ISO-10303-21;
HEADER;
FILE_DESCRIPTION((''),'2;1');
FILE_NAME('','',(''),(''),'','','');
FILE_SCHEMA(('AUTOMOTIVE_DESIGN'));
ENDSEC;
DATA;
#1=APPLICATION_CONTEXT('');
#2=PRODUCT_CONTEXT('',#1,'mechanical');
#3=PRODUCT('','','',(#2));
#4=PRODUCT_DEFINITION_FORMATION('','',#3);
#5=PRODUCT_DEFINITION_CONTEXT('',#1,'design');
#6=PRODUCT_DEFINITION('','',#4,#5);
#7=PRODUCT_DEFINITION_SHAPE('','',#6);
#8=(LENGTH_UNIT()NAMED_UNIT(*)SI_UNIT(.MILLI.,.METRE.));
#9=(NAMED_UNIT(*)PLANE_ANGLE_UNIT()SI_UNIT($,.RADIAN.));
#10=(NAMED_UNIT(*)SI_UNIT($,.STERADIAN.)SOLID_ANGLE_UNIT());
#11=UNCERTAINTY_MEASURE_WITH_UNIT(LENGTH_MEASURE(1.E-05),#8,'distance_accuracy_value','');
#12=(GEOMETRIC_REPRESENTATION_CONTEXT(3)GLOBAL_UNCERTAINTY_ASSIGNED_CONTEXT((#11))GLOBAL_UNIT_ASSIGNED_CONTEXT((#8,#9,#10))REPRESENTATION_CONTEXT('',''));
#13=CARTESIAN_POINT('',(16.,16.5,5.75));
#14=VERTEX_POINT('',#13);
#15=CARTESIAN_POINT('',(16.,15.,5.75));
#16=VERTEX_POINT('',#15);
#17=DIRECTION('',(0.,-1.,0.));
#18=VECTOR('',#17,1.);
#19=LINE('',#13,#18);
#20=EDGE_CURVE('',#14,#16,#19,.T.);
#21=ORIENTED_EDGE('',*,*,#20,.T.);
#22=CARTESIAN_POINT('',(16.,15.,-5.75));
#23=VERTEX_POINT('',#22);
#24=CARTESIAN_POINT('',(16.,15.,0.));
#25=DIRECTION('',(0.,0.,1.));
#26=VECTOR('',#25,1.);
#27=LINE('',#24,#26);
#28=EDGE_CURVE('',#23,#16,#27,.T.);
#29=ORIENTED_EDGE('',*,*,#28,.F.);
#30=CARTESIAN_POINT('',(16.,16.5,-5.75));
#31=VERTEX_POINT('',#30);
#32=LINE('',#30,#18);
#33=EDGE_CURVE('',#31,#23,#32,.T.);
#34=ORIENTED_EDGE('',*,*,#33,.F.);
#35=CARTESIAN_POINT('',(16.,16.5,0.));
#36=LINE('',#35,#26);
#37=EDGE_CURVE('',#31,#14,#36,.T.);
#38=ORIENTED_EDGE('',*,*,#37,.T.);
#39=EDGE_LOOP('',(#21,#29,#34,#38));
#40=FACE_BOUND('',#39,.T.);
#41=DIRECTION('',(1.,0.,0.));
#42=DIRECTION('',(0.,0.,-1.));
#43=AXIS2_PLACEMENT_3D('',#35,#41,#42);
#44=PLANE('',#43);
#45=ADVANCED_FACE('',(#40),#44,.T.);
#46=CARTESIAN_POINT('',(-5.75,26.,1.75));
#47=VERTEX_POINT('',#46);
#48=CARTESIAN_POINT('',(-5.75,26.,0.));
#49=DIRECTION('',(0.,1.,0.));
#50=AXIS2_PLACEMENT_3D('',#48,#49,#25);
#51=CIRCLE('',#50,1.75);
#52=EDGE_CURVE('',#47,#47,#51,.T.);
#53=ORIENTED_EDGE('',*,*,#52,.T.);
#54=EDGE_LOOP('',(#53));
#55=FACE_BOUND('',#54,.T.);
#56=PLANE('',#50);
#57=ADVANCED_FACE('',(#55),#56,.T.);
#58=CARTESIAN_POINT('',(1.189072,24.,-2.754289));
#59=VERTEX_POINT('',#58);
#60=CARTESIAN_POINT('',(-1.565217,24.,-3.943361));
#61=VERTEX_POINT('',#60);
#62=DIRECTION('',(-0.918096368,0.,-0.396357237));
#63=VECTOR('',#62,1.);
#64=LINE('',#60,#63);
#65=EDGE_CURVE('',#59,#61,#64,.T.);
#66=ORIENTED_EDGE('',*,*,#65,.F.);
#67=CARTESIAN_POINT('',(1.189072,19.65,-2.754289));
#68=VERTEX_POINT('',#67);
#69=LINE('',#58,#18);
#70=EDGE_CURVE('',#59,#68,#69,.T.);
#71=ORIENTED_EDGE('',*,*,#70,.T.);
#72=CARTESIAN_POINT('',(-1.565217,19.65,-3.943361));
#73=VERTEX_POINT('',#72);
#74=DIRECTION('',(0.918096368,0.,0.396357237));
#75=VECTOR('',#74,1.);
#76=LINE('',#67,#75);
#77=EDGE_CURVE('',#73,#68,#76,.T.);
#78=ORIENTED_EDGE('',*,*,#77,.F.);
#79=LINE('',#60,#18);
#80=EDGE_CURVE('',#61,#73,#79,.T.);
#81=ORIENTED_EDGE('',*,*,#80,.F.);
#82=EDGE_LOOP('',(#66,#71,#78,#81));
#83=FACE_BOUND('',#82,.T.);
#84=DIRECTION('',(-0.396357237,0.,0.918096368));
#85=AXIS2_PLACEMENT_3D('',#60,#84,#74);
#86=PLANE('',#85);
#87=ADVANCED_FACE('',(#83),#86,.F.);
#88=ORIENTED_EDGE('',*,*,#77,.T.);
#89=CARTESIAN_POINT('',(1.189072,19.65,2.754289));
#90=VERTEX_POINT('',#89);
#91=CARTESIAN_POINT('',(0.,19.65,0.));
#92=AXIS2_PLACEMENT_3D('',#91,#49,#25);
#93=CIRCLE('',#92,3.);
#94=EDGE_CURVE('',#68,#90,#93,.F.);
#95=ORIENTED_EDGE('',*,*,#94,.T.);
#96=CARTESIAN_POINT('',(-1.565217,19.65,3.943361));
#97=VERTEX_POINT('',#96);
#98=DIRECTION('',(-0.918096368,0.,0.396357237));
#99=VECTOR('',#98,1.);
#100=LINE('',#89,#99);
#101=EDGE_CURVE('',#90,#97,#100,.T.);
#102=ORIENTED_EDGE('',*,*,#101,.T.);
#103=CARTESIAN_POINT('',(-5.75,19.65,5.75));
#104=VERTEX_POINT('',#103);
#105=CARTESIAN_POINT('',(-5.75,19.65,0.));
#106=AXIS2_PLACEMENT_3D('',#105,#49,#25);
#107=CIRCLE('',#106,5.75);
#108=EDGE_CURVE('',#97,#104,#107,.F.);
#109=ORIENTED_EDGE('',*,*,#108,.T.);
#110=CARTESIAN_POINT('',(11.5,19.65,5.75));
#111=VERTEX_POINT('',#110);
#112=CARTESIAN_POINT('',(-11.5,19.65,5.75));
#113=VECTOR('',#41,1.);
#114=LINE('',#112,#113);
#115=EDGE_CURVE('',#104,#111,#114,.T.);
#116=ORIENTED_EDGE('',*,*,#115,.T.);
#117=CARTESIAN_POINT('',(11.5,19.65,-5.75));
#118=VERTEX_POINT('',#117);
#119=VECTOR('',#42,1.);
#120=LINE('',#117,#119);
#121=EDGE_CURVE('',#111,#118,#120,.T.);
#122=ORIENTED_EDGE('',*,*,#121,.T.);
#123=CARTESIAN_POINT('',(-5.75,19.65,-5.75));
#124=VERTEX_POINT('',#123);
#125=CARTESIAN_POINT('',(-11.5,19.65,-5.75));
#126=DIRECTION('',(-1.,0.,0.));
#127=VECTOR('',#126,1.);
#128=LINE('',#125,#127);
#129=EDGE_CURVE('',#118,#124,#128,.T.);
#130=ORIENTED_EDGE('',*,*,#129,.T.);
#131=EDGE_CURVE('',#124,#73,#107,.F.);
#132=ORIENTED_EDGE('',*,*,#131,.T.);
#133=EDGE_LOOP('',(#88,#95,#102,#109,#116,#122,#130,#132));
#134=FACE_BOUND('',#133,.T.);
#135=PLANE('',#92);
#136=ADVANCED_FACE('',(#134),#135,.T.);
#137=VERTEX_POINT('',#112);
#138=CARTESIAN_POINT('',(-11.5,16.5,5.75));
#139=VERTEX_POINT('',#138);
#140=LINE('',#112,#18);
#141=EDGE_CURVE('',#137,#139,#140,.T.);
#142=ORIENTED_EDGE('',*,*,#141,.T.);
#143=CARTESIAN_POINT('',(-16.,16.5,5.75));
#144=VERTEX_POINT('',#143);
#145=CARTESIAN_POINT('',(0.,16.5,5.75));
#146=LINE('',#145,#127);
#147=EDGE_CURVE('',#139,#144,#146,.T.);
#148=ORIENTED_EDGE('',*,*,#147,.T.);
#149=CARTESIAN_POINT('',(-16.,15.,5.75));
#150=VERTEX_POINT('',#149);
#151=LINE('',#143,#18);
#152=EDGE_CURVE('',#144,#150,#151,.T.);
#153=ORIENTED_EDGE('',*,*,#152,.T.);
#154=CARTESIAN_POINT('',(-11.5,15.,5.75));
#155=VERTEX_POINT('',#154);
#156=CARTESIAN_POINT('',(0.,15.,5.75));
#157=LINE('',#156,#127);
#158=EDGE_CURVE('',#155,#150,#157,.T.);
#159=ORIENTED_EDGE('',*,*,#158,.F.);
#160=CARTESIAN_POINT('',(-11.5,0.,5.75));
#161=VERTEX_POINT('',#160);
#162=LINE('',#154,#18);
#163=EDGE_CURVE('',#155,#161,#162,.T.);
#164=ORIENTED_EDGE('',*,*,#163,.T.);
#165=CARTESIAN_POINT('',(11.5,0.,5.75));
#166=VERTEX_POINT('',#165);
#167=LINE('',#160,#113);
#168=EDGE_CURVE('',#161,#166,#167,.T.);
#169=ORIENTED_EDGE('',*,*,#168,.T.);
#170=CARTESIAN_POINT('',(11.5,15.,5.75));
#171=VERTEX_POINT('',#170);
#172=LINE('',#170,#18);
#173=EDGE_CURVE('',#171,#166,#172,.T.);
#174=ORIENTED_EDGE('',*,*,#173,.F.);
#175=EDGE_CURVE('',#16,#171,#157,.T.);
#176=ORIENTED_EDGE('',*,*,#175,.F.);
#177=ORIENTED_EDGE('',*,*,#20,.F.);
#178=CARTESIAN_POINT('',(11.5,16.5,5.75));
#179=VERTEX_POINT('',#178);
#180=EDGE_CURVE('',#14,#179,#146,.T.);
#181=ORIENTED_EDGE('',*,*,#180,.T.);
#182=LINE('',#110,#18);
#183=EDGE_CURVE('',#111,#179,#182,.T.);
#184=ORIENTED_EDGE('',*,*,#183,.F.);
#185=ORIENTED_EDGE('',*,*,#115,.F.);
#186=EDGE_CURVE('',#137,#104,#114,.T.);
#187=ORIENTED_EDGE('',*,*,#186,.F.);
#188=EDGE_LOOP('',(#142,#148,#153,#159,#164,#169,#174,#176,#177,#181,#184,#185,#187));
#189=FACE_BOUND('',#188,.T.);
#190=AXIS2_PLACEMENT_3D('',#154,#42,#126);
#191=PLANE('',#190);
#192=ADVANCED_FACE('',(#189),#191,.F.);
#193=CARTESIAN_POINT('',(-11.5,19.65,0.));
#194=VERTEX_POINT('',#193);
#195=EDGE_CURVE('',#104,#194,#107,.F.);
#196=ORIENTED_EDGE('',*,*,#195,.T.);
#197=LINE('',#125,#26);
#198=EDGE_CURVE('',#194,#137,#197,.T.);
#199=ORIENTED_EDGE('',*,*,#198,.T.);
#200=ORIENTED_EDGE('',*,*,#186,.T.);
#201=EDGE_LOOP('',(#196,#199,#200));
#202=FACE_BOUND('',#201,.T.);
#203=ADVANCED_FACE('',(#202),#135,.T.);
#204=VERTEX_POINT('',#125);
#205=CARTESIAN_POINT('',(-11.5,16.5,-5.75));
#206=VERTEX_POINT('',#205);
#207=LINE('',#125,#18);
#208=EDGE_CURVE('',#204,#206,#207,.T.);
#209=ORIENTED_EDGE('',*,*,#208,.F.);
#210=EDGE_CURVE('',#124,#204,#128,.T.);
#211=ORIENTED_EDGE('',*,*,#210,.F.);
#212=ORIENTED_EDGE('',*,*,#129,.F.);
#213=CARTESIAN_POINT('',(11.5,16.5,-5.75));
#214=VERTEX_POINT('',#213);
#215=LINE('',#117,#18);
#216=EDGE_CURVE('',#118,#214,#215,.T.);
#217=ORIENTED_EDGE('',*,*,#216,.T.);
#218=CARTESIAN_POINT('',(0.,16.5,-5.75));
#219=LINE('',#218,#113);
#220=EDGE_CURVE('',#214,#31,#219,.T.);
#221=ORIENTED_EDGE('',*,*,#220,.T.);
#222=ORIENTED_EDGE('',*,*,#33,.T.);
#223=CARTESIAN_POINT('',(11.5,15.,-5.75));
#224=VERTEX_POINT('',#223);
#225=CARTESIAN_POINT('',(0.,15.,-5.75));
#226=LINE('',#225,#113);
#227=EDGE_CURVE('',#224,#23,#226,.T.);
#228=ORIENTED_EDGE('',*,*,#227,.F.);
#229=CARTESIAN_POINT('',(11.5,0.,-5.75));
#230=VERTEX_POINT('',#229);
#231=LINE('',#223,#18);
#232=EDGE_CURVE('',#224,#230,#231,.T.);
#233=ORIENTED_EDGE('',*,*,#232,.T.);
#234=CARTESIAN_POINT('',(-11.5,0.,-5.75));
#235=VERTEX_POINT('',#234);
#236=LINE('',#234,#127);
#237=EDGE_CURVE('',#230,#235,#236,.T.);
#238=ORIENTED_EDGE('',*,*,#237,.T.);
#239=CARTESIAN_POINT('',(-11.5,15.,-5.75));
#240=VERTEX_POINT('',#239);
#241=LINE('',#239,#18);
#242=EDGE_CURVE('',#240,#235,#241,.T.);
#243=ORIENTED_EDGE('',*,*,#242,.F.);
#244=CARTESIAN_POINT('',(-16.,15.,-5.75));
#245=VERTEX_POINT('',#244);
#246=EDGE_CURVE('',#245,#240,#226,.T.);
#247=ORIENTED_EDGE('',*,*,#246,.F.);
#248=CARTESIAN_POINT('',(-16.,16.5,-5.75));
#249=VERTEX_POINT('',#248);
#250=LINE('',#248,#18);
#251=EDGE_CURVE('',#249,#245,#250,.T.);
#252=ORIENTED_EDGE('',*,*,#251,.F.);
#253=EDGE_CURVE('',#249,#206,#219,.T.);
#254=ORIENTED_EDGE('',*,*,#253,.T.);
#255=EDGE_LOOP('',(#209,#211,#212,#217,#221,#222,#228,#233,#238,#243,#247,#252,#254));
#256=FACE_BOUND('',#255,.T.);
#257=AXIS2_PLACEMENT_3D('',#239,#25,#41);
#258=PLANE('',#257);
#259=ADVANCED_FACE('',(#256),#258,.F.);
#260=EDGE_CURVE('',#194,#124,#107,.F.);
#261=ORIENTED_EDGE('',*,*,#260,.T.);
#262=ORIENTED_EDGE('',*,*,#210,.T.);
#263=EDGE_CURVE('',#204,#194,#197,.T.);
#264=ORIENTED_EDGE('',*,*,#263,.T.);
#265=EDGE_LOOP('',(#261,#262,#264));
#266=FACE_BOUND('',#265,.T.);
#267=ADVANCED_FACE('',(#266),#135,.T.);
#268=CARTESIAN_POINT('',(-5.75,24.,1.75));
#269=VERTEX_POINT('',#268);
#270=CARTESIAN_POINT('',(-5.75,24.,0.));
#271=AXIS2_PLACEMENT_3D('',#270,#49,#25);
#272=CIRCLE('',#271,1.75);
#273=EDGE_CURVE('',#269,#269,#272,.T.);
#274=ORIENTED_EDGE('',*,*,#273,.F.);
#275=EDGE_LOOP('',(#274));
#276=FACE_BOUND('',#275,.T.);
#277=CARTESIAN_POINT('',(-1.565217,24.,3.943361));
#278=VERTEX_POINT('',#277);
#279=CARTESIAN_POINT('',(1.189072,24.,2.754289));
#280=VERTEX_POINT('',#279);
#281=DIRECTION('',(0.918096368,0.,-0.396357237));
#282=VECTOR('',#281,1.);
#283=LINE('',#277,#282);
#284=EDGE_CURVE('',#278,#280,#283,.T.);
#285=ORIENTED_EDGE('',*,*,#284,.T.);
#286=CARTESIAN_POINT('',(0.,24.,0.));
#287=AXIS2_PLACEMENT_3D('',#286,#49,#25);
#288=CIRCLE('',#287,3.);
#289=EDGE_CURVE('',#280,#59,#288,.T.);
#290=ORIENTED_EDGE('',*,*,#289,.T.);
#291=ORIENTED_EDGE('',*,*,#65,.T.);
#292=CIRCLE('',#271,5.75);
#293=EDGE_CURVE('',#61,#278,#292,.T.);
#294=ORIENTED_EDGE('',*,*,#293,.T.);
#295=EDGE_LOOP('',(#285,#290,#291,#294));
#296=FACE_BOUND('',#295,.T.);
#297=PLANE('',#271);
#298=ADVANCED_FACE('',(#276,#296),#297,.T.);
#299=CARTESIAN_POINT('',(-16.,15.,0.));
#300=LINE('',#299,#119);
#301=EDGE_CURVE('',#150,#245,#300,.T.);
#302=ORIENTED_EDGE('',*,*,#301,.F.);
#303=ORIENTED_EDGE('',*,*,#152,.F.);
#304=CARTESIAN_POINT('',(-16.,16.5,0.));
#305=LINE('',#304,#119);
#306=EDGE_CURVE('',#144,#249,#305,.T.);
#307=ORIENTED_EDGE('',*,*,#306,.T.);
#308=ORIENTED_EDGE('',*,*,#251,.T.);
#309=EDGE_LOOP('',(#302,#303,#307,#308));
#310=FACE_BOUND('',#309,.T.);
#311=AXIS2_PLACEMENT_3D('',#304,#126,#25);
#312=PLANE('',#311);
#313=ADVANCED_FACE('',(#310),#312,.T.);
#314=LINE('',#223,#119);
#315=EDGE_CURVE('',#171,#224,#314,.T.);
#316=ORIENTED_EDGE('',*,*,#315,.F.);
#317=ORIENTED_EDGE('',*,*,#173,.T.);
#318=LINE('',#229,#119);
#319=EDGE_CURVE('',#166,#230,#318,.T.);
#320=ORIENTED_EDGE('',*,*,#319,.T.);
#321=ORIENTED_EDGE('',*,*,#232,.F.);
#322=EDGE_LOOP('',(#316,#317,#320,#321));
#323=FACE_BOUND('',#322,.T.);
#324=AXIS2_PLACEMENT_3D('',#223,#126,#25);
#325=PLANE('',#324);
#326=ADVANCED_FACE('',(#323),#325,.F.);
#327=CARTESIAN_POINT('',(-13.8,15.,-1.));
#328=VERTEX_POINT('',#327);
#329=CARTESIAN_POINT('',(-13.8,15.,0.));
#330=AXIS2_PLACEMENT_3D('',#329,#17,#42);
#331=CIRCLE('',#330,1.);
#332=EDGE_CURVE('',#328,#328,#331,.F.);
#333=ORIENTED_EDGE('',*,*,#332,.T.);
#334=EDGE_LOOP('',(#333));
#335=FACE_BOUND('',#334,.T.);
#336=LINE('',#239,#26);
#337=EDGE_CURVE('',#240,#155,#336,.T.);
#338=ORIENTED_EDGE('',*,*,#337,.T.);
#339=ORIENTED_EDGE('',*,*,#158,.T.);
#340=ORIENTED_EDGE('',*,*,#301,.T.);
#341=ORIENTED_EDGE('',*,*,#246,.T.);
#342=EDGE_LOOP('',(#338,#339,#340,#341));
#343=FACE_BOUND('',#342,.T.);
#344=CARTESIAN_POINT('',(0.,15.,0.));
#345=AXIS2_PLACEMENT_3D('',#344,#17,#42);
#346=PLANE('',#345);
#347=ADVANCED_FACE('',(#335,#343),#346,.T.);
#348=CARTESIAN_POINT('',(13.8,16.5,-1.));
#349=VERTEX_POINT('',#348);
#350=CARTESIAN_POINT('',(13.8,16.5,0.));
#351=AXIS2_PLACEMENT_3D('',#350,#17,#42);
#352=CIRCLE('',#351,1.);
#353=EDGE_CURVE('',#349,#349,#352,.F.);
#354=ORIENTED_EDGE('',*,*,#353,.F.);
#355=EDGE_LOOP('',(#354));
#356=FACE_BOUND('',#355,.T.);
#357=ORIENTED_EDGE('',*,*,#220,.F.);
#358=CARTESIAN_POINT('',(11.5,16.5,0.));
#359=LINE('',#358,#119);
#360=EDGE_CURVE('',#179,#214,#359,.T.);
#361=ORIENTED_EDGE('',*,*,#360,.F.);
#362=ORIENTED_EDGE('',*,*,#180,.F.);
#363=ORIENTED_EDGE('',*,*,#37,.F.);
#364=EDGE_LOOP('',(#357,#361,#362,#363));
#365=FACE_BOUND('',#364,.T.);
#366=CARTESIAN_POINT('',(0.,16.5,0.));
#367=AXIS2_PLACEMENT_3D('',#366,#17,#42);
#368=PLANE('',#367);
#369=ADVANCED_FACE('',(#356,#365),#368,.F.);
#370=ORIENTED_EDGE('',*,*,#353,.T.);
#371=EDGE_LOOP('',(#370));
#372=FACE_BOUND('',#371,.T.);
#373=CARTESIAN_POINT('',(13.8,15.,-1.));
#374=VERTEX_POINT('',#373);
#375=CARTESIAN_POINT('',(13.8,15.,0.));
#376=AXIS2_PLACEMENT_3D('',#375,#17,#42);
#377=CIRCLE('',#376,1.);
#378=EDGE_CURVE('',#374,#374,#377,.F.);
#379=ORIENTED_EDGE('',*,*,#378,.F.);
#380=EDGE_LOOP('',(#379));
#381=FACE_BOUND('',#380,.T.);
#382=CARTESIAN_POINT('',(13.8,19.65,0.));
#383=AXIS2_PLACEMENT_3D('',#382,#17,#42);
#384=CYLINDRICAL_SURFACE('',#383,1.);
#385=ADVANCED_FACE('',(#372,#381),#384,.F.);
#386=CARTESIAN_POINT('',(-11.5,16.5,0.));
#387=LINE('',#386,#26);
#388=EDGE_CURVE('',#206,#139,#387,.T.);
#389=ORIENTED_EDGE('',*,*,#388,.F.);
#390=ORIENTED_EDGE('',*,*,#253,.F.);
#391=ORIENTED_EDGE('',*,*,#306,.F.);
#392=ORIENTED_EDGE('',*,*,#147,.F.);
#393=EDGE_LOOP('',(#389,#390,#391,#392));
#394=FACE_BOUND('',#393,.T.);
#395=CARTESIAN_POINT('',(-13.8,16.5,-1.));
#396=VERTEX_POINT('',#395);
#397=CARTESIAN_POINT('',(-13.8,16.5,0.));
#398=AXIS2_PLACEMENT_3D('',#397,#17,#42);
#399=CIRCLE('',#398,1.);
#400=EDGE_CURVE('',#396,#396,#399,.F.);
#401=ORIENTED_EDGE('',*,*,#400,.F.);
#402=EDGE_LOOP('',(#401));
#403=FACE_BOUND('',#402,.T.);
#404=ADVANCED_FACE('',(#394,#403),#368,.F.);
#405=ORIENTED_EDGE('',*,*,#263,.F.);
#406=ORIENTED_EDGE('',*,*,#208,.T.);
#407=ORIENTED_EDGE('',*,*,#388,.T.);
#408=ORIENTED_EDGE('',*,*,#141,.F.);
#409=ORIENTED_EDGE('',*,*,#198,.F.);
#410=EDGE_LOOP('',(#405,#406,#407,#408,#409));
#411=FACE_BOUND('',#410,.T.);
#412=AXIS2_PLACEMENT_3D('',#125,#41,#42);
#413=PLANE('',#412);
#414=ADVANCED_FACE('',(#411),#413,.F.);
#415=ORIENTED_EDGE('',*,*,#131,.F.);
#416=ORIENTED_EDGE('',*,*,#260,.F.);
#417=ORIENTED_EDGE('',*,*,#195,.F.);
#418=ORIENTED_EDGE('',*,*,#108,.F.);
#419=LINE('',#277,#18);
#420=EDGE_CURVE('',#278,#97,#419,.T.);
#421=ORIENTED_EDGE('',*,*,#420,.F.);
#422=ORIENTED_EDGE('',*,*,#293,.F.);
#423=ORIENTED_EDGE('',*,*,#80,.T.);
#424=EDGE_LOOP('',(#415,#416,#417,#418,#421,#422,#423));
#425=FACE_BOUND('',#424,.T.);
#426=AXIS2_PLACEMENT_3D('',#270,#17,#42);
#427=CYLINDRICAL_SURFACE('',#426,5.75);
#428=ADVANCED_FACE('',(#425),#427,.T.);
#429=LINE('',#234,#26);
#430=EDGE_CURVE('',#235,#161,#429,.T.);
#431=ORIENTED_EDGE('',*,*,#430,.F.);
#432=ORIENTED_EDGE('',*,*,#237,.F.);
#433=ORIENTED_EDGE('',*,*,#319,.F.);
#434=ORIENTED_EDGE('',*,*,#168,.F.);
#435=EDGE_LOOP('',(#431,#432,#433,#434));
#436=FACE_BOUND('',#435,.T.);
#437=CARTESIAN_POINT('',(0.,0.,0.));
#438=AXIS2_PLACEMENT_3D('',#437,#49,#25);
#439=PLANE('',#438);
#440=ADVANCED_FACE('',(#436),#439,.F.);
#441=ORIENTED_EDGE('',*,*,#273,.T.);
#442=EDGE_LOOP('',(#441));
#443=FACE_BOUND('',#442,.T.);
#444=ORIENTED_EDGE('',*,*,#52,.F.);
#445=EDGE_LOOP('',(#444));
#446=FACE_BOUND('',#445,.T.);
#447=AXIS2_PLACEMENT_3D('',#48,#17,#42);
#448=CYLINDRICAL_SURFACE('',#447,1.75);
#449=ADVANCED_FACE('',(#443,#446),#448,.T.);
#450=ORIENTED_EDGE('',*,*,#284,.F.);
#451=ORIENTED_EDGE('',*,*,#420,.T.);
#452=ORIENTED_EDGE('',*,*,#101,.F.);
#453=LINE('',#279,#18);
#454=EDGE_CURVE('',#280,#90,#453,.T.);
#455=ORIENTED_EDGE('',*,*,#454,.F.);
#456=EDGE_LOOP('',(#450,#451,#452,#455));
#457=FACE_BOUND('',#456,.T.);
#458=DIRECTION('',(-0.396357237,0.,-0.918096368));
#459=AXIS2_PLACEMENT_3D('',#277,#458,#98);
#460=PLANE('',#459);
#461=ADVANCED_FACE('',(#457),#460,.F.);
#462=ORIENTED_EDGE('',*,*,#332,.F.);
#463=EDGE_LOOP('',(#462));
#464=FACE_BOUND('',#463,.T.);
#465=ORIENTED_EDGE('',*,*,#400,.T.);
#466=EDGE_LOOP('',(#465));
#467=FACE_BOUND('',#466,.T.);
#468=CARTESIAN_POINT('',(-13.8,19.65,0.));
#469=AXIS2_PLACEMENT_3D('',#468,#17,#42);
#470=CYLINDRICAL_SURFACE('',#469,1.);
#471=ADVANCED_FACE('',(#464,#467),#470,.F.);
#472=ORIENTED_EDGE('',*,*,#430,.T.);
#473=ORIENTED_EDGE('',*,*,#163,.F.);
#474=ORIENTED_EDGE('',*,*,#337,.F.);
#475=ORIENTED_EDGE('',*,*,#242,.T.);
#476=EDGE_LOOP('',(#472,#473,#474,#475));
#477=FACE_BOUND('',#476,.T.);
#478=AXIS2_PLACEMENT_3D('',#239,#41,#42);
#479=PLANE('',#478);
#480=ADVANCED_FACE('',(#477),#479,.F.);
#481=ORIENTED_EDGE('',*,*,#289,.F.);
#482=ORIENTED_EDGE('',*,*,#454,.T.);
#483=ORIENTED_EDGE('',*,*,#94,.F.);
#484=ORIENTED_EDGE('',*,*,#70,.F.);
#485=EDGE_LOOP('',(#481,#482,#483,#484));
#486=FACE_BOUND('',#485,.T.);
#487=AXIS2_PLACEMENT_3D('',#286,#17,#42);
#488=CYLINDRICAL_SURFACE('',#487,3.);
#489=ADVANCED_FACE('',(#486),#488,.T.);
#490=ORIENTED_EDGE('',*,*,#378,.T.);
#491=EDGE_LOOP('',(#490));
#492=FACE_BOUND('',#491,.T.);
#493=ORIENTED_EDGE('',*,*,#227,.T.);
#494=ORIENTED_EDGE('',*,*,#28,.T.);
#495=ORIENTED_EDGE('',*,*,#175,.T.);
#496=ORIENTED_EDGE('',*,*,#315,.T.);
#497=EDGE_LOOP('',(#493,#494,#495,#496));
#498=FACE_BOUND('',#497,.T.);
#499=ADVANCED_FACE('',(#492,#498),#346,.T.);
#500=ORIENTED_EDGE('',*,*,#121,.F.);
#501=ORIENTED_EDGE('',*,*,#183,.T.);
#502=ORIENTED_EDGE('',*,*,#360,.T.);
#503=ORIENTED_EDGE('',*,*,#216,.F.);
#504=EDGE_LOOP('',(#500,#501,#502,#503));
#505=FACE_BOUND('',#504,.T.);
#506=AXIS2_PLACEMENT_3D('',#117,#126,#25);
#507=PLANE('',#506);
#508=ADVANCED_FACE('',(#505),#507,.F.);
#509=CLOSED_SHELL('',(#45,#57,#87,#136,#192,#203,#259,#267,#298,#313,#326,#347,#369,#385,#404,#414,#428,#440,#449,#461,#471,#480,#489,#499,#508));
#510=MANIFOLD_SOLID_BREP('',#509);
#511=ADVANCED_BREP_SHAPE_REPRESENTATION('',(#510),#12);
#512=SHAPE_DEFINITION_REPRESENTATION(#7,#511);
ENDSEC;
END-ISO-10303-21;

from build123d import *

# Parameters (mm, degrees)
SKETCH_1_W          = 23
SKETCH_1_H          = 11.5
EXTRUDE_1_DEPTH     = 15
EXTRUDE_START       = 15
SKETCH_2_W          = 32
SKETCH_2_H          = 11.5
EXTRUDE_2_DEPTH     = 1.5
SKETCH_3_W          = 23
SKETCH_3_H          = 11.5
EXTRUDE_3_DEPTH     = 19.65
SKETCH_4_R          = 1
CUT_EXTRUDE_1_DEPTH = 19.65
SKETCH_5_R          = 5.75
EXTRUDE_4_DEPTH     = 24
EXTRUDE_5_DEPTH     = 24
EXTRUDE_START_2     = 24
SKETCH_7_R          = 1.75
EXTRUDE_6_DEPTH     = 2


with BuildPart() as part:
    # 草图1 → 凸台-拉伸1 (new body)
    with BuildSketch(Plane(origin=(0, 0, 0), x_dir=(1, 0, 0), z_dir=(0, 1, 0))):
        Rectangle(SKETCH_1_W, SKETCH_1_H)
    extrude(amount=EXTRUDE_1_DEPTH)

    # 草图2 → 凸台-拉伸2 (add)
    with BuildSketch(Plane(origin=(0, 0, 0), x_dir=(1, 0, 0), z_dir=(0, 1, 0)).offset(EXTRUDE_START)):
        Rectangle(SKETCH_2_W, SKETCH_2_H)
    extrude(amount=EXTRUDE_2_DEPTH)

    # 草图3 → 凸台-拉伸3 (add)
    with BuildSketch(Plane(origin=(0, 0, 0), x_dir=(1, 0, 0), z_dir=(0, 1, 0))):
        Rectangle(SKETCH_3_W, SKETCH_3_H)
    extrude(amount=EXTRUDE_3_DEPTH)

    # 草图4 → 切除-拉伸1 (cut)
    with BuildSketch(Plane(origin=(0, 0, 0), x_dir=(1, 0, 0), z_dir=(0, 1, 0))):
        with Locations(Location((-13.8, 0, 0), (0, 0, 90))):
            Circle(SKETCH_4_R)
        with Locations(Location((13.8, 0, 0), (0, 0, 90))):
            Circle(SKETCH_4_R)
    extrude(amount=CUT_EXTRUDE_1_DEPTH, mode=Mode.SUBTRACT)

    # 草图5 → 凸台-拉伸4 (add)
    with BuildSketch(Plane(origin=(0, 0, 0), x_dir=(1, 0, 0), z_dir=(0, 1, 0))):
        with Locations(Location((-5.75, 0, 0), (0, 0, 270))):
            Circle(SKETCH_5_R)
    extrude(amount=EXTRUDE_4_DEPTH)

    # 草图6 → 凸台-拉伸5 (add)
    with BuildSketch(Plane(origin=(0, 0, 0), x_dir=(1, 0, 0), z_dir=(0, 1, 0))):
        with BuildLine():
            Line((-1.565217391, 3.943360815), (1.189071712, 2.754289103))
            ThreePointArc((1.189071712, 2.754289103), (3, 0), (1.189071712, -2.754289103))
            Line((1.189071712, -2.754289103), (-1.565217391, -3.943360815))
            ThreePointArc((-1.565217391, -3.943360815), (-11.5, 0), (-1.565217391, 3.943360815))
        make_face()
    extrude(amount=EXTRUDE_5_DEPTH)

    # 草图7 → 凸台-拉伸6 (add)
    with BuildSketch(Plane(origin=(0, 0, 0), x_dir=(1, 0, 0), z_dir=(0, 1, 0)).offset(EXTRUDE_START_2)):
        with Locations(Location((-5.75, 0, 0), (0, 0, 270))):
            Circle(SKETCH_7_R)
    extrude(amount=EXTRUDE_6_DEPTH)


solid = part.part
